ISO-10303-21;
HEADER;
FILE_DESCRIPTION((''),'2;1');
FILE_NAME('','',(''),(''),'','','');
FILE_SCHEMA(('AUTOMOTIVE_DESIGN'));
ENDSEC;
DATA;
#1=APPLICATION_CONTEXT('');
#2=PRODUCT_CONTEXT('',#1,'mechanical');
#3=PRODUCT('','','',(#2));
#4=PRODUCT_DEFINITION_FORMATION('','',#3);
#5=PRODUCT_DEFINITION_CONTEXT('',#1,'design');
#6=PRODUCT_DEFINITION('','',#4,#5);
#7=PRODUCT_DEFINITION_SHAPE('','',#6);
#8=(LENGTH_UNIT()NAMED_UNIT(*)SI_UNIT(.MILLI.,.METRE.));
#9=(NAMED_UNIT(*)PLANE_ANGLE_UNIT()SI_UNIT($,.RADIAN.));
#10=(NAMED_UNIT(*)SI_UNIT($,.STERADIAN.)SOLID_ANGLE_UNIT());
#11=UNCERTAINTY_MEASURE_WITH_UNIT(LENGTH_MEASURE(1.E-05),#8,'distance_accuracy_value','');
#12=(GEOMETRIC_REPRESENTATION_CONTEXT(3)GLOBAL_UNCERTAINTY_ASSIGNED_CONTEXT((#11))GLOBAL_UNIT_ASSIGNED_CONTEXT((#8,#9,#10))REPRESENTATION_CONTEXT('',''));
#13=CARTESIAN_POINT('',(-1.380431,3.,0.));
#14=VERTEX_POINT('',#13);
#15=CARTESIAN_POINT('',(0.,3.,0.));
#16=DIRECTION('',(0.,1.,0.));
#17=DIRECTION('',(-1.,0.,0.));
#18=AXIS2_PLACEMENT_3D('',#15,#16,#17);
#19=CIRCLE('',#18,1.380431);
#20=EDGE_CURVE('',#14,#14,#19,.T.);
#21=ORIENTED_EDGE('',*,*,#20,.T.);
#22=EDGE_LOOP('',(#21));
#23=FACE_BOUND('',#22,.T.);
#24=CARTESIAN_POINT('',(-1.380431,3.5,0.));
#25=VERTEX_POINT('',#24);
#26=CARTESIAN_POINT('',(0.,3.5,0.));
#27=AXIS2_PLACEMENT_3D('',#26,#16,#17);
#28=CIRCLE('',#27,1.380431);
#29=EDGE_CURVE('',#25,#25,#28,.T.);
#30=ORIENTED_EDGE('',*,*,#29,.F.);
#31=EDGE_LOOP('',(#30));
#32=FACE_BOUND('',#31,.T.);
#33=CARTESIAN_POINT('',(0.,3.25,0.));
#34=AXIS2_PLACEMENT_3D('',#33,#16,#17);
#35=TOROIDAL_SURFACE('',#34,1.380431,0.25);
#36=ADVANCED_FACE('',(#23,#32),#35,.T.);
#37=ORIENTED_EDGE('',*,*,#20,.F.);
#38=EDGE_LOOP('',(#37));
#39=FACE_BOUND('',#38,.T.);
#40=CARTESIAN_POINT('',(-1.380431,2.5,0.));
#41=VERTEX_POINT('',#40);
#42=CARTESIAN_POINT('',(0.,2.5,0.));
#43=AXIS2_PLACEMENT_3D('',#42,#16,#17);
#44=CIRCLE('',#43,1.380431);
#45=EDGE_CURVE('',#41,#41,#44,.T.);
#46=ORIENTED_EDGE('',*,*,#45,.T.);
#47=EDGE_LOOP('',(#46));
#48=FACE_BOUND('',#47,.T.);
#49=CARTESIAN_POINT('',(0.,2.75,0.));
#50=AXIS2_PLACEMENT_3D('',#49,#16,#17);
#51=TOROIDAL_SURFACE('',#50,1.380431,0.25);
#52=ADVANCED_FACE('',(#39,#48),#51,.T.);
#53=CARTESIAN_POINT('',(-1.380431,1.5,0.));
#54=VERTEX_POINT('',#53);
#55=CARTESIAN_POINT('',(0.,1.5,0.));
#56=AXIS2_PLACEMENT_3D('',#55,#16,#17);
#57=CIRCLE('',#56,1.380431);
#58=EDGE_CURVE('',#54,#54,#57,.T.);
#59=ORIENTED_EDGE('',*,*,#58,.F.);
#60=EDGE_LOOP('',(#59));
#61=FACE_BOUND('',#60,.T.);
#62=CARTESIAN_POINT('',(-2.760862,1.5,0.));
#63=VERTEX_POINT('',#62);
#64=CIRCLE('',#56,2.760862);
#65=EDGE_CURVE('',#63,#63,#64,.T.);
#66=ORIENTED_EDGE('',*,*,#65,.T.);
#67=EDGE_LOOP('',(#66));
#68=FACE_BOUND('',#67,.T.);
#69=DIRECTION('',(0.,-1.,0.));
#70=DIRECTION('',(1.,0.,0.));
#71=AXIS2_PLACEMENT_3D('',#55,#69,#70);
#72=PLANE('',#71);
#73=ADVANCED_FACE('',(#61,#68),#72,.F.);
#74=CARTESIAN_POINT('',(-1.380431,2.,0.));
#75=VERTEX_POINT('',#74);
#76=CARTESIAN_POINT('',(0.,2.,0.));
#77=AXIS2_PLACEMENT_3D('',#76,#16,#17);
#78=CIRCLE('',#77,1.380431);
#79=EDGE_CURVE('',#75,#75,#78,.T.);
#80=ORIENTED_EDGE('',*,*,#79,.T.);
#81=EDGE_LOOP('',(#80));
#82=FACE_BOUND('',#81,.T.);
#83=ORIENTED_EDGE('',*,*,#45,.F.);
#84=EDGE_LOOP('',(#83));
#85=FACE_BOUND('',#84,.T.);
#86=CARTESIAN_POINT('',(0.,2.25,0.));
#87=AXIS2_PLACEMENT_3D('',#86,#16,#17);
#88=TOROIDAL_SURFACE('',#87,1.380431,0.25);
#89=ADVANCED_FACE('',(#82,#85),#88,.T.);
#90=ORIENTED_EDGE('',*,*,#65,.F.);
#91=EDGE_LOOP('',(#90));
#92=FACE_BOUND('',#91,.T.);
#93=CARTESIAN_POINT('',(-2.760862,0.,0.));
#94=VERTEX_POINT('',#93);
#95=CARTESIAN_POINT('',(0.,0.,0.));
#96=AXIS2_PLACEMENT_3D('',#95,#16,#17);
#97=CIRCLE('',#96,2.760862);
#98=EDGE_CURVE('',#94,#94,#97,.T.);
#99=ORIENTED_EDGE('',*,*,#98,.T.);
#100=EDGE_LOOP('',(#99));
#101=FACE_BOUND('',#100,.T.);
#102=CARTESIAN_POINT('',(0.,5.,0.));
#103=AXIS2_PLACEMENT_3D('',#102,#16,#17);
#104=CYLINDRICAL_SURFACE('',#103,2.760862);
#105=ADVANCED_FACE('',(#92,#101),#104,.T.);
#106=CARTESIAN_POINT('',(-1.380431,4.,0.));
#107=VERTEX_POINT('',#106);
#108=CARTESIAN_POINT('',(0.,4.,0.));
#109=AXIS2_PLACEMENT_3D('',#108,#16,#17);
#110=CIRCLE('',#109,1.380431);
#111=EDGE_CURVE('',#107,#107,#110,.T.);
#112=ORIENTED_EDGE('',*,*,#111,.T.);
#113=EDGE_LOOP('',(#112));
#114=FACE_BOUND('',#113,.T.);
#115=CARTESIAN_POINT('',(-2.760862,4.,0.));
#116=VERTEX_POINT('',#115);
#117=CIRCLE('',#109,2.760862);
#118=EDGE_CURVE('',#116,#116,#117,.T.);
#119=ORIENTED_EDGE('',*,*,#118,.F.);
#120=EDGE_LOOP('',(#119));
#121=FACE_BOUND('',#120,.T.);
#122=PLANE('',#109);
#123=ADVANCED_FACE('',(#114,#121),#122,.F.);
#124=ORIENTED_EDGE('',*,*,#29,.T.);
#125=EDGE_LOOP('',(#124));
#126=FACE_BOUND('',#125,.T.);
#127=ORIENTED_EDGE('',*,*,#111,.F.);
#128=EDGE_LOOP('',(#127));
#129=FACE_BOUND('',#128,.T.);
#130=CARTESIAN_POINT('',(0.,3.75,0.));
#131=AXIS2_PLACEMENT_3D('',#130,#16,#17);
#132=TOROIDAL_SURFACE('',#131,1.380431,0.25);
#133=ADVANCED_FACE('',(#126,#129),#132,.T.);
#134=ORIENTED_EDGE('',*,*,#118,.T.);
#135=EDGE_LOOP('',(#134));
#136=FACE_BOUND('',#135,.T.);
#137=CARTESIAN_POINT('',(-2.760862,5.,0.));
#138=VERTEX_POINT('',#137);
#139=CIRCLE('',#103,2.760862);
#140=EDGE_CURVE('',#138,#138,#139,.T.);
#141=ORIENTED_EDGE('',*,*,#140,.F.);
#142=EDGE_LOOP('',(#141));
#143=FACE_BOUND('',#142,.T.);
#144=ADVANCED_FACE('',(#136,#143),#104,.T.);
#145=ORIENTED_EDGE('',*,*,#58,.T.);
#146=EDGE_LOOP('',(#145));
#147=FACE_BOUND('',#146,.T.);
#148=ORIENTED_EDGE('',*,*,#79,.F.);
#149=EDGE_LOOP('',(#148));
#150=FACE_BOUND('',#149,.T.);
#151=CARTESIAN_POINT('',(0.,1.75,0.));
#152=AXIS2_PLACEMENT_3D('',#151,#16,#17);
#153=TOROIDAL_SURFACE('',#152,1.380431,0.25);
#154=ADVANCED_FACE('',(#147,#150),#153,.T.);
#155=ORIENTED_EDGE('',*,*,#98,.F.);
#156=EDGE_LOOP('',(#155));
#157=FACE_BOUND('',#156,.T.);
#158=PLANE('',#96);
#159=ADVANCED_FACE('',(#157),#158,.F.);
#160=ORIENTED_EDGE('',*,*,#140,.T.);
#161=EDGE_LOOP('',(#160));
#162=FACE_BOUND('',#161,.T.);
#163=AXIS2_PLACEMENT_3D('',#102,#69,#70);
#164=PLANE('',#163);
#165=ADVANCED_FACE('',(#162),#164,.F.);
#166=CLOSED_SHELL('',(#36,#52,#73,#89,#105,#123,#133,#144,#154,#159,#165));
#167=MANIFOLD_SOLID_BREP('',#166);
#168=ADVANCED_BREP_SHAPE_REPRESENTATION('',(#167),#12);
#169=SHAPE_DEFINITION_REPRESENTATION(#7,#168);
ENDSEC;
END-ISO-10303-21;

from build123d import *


with BuildPart() as part:
    # Эскиз1 → Повернуть1 (revolve)
    with BuildSketch(Plane.XY):
        with BuildLine():
            Line((-2.760861551, 0), (0, 0))
            Line((0, 0), (0, 5))
            Line((0, 5), (-2.760861551, 5))
            Line((-2.760861551, 5), (-2.760861551, 4))
            Line((-2.760861551, 4), (-1.380430776, 4))
            ThreePointArc((-1.380430776, 4), (-1.20365408, 3.926776695), (-1.130430776, 3.75))
            ThreePointArc((-1.130430776, 3.75), (-1.20365408, 3.573223305), (-1.380430776, 3.5))
            ThreePointArc((-1.380430776, 3.5), (-1.20365408, 3.426776695), (-1.130430776, 3.25))
            ThreePointArc((-1.130430776, 3.25), (-1.20365408, 3.073223305), (-1.380430776, 3))
            ThreePointArc((-1.380430776, 3), (-1.20365408, 2.926776695), (-1.130430776, 2.75))
            ThreePointArc((-1.130430776, 2.75), (-1.20365408, 2.573223305), (-1.380430776, 2.5))
            ThreePointArc((-1.380430776, 2.5), (-1.20365408, 2.426776695), (-1.130430776, 2.25))
            ThreePointArc((-1.130430776, 2.25), (-1.20365408, 2.073223305), (-1.380430776, 2))
            ThreePointArc((-1.380430776, 2), (-1.20365408, 1.926776695), (-1.130430776, 1.75))
            ThreePointArc((-1.130430776, 1.75), (-1.20365408, 1.573223305), (-1.380430776, 1.5))
            Line((-1.380430776, 1.5), (-2.760861551, 1.5))
            Line((-2.760861551, 1.5), (-2.760861551, 0))
        make_face()
        with BuildLine():
            ThreePointArc((-1.130430776, 3.75), (-1.20365408, 3.926776695), (-1.380430776, 4))
            Line((-1.380430776, 4), (-1.380430776, 3.5))
            ThreePointArc((-1.380430776, 3.5), (-1.20365408, 3.573223305), (-1.130430776, 3.75))
        make_face()
        with BuildLine():
            Line((-1.380430776, 3.5), (-1.380430776, 4))
            ThreePointArc((-1.380430776, 4), (-1.630430776, 3.75), (-1.380430776, 3.5))
        make_face()
        with BuildLine():
            ThreePointArc((-1.130430776, 3.25), (-1.20365408, 3.426776695), (-1.380430776, 3.5))
            Line((-1.380430776, 3.5), (-1.380430776, 3))
            ThreePointArc((-1.380430776, 3), (-1.20365408, 3.073223305), (-1.130430776, 3.25))
        make_face()
        with BuildLine():
            Line((-1.380430776, 3), (-1.380430776, 3.5))
            ThreePointArc((-1.380430776, 3.5), (-1.630430776, 3.25), (-1.380430776, 3))
        make_face()
        with BuildLine():
            ThreePointArc((-1.380430776, 3), (-1.630430776, 2.75), (-1.380430776, 2.5))
            Line((-1.380430776, 2.5), (-1.380430776, 3))
        make_face()
        with BuildLine():
            Line((-1.380430776, 3), (-1.380430776, 2.5))
            ThreePointArc((-1.380430776, 2.5), (-1.20365408, 2.573223305), (-1.130430776, 2.75))
            ThreePointArc((-1.130430776, 2.75), (-1.20365408, 2.926776695), (-1.380430776, 3))
        make_face()
        with BuildLine():
            ThreePointArc((-1.380430776, 2), (-1.630430776, 1.75), (-1.380430776, 1.5))
            Line((-1.380430776, 1.5), (-1.380430776, 2))
        make_face()
        with BuildLine():
            Line((-1.380430776, 2), (-1.380430776, 1.5))
            ThreePointArc((-1.380430776, 1.5), (-1.20365408, 1.573223305), (-1.130430776, 1.75))
            ThreePointArc((-1.130430776, 1.75), (-1.20365408, 1.926776695), (-1.380430776, 2))
        make_face()
        with BuildLine():
            ThreePointArc((-1.380430776, 2.5), (-1.630430776, 2.25), (-1.380430776, 2))
            Line((-1.380430776, 2), (-1.380430776, 2.5))
        make_face()
        with BuildLine():
            Line((-1.380430776, 2.5), (-1.380430776, 2))
            ThreePointArc((-1.380430776, 2), (-1.20365408, 2.073223305), (-1.130430776, 2.25))
            ThreePointArc((-1.130430776, 2.25), (-1.20365408, 2.426776695), (-1.380430776, 2.5))
        make_face()
    revolve(axis=Axis((0, 5, 0), (0, -1, 0)))


solid = part.part
